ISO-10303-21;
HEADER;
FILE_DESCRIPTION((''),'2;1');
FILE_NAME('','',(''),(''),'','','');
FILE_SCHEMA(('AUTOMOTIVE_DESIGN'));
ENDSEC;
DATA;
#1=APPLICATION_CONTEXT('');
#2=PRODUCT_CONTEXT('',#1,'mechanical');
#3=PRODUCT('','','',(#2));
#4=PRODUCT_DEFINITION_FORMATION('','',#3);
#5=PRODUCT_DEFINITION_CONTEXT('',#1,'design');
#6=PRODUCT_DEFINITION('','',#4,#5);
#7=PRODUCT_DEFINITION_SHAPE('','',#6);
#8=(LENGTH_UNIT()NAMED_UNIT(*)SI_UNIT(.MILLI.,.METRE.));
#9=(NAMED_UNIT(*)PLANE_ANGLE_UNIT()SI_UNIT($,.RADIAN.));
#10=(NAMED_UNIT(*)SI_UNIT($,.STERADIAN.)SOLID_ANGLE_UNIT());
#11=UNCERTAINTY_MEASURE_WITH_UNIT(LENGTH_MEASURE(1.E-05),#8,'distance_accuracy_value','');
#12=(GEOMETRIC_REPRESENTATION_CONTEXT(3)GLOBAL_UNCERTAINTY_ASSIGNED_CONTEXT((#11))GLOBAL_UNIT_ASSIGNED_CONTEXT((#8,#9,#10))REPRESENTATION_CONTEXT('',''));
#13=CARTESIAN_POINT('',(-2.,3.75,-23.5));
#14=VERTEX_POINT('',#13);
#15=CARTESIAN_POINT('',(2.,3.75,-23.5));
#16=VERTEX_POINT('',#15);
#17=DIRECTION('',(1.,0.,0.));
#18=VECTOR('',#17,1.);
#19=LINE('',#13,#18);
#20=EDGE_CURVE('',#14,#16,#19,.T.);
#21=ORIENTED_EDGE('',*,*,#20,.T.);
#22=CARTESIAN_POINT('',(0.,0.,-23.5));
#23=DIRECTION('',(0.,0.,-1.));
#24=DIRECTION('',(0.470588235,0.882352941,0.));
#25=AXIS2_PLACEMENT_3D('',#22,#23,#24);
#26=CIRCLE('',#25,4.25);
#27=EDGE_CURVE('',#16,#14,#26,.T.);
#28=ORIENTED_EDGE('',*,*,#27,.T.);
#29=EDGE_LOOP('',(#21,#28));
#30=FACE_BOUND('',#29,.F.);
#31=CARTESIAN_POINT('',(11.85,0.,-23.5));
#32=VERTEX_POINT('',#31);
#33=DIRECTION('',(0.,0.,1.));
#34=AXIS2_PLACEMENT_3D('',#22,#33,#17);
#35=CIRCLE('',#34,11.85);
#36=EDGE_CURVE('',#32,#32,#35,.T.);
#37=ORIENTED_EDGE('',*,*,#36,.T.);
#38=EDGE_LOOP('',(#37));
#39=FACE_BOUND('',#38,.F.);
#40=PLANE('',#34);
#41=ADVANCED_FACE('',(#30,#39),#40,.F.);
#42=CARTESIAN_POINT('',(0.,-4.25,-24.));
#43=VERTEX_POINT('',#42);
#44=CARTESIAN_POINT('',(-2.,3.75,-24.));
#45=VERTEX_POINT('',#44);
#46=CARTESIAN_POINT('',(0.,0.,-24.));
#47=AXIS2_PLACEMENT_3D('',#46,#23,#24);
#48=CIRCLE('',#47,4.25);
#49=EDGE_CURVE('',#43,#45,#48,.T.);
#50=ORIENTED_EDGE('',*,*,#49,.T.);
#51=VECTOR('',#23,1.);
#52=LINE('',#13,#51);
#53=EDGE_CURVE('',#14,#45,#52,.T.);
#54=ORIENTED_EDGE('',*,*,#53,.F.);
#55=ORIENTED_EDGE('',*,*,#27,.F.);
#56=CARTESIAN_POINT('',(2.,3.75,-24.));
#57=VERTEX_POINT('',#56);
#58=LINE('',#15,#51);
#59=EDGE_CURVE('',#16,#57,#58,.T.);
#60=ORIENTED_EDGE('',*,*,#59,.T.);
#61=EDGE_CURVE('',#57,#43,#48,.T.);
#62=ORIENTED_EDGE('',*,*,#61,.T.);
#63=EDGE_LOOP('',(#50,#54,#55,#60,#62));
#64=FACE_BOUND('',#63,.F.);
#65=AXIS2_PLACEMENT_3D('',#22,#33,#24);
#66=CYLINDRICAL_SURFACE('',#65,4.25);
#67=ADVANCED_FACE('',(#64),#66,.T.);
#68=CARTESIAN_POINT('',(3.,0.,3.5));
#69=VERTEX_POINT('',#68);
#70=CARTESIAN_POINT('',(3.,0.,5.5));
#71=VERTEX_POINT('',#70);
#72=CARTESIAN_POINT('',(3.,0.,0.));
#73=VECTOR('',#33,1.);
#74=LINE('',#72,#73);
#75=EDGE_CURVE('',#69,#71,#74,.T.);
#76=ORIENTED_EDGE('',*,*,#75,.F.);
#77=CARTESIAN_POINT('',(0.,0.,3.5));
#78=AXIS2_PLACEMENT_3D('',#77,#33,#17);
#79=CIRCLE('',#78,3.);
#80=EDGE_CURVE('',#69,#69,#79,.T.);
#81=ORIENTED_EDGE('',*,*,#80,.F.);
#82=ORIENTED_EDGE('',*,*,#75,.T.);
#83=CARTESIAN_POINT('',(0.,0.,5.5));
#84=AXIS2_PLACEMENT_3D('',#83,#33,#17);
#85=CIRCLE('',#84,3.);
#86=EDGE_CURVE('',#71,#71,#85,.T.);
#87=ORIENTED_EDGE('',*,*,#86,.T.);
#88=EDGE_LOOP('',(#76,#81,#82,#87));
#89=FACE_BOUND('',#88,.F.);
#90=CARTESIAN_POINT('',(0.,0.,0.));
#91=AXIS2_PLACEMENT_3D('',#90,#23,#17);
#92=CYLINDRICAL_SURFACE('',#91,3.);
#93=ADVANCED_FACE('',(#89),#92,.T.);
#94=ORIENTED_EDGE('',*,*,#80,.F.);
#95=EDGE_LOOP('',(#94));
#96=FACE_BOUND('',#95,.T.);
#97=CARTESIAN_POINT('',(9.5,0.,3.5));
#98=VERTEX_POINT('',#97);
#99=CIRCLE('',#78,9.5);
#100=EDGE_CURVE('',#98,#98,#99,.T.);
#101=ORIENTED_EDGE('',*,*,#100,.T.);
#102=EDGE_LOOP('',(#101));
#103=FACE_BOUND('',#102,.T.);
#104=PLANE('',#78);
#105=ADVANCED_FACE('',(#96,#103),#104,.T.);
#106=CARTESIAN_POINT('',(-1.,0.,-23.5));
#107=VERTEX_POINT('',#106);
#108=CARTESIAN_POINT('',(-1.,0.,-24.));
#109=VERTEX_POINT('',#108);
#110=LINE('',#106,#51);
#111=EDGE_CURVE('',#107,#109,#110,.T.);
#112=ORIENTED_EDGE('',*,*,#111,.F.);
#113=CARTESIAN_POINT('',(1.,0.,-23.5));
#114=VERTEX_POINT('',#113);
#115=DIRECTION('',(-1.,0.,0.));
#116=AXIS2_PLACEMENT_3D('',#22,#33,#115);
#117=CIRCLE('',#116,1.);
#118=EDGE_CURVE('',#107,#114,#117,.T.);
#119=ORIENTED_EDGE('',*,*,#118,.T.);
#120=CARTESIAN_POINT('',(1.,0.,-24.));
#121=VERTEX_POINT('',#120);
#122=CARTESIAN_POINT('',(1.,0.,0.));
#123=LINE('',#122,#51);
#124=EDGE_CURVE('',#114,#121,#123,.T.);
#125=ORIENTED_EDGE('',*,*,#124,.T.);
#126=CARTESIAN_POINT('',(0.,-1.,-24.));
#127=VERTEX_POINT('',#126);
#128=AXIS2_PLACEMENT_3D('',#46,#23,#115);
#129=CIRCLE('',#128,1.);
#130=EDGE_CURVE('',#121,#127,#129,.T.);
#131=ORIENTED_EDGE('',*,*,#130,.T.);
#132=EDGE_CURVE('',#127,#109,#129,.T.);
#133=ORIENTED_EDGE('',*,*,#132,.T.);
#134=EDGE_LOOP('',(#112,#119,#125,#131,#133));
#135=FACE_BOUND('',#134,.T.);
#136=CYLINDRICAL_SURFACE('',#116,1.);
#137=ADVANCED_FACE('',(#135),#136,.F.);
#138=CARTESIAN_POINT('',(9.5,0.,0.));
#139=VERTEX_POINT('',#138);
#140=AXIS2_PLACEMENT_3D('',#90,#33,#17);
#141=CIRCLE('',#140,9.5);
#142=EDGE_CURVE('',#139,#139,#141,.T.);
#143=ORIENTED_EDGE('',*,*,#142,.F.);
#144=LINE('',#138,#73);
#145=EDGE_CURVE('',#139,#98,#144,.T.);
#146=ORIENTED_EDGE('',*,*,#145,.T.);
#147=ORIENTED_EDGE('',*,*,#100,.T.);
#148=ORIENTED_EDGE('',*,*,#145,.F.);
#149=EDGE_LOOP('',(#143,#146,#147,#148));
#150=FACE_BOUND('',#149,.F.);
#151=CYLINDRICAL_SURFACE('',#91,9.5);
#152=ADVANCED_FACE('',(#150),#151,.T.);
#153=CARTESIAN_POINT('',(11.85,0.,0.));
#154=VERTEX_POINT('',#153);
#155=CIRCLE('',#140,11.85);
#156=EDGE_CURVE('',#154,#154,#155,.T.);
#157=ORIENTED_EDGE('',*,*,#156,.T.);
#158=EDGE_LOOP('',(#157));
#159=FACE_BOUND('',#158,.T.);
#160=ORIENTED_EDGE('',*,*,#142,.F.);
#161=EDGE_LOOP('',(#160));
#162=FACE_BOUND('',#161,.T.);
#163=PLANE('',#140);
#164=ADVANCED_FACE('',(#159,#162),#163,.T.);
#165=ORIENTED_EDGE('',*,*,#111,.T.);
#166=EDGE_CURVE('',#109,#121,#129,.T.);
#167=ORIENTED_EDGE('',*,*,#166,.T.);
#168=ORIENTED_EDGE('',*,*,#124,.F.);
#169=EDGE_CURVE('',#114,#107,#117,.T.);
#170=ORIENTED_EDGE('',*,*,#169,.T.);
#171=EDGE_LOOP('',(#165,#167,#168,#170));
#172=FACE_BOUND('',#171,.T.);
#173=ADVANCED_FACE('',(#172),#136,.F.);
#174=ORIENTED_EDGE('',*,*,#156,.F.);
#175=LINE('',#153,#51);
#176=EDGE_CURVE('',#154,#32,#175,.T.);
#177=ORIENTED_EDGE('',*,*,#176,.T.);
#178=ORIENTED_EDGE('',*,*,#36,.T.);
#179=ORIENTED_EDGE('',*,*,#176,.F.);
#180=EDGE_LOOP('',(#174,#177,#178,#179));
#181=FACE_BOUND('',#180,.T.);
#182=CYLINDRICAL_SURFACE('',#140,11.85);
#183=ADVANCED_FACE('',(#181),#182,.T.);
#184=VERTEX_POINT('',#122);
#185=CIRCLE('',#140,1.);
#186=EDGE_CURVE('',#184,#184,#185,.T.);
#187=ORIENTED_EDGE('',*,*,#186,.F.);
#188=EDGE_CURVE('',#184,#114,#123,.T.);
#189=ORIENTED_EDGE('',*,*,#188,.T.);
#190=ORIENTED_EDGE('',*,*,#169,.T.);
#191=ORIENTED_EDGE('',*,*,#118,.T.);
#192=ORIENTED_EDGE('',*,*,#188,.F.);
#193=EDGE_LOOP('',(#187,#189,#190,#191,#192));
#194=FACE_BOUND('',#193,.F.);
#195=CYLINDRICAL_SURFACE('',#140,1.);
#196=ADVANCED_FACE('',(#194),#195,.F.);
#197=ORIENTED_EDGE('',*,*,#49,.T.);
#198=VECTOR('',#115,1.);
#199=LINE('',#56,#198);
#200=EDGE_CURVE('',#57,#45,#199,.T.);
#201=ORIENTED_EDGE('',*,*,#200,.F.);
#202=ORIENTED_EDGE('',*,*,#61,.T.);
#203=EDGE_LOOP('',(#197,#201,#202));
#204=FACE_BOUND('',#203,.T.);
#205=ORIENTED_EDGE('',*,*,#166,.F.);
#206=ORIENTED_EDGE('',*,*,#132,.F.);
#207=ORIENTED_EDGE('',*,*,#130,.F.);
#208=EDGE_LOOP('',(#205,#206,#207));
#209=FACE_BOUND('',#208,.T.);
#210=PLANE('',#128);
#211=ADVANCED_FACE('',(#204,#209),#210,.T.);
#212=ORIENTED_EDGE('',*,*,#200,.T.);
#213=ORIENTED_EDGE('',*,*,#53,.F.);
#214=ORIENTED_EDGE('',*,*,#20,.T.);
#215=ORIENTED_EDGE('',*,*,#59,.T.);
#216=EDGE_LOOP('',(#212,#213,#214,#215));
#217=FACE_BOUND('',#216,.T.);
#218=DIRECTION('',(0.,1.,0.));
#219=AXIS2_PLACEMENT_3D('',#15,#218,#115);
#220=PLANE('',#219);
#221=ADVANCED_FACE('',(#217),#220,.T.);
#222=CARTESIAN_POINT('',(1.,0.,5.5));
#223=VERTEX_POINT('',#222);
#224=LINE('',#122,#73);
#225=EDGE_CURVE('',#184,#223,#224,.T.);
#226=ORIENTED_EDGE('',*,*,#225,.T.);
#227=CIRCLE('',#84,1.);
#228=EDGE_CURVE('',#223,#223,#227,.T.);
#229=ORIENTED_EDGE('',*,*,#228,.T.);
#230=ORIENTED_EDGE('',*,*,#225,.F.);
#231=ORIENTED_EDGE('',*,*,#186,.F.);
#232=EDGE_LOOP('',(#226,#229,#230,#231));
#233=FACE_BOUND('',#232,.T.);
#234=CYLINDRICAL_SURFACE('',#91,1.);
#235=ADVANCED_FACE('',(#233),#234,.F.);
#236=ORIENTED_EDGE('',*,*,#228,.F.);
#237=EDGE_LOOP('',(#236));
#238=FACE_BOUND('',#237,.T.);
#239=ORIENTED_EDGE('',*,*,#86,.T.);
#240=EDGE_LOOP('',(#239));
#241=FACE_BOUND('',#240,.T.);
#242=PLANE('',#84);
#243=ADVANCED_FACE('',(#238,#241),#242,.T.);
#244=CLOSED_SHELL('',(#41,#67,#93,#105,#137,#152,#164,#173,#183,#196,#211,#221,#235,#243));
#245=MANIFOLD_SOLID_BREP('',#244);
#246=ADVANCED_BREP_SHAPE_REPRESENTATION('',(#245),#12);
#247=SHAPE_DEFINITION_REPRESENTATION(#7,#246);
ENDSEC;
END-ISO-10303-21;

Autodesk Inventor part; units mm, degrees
ref_plane "YZ Plane" through (0, 0, 0) normal (1, 0, 0) x (0, 1, 0)
ref_plane "XZ Plane" through (0, 0, 0) normal (0, 1, 0) x (-1, 0, 0)
ref_plane "XY Plane" through (0, 0, 0) normal (0, 0, 1) x (1, 0, 0)
sketch "basescetch" plane through (0, 0, 0) normal (0, 0, 1) x (1, 0, 0)
  circle A0 centre (0, 0) radius 11.85
  circle A1 centre (0, 0) radius 9.5
  circle A2 centre (0, 0) radius 3
  circle A3 centre (0, 0) radius 1
  dimension "d0" = 23.7
  dimension "d1" = 19
  dimension "d2" = 6
  dimension "d3" = 2
extrude "押し出し1" add sketch "basescetch" along normal blind 3.5 contours A1
extrude "押し出し2" add sketch "basescetch" along normal blind 5.5 contours A2
extrude "押し出し3" add sketch "basescetch" against normal blind 23.5 contours A0 | A1 | A2 | A3
sketch "スケッチ2" plane through (0, 0, -23.5) normal (0, 0, -1) x (-1, 0, 0)
  circle A0 centre (0, 0) radius 1 projected
  arc A1 (-2, 3.75) -> (2, 3.75) centre (0, 0) ccw
  line L0 (0, -4.25) -> (0, -1)
  line L1 (0, -4.25) -> (8, -4.25) construction
  line L2 (0, 3.75) -> (2, 3.75)
  line L3 (-2, 3.75) -> (0, 3.75)
  dimension "d10" = 8.5
  dimension "d11" = 8
  dimension "d12" = 90
extrude "押し出し4" add sketch "スケッチ2" along normal blind 0.5
extrude "押し出し5" cut sketch "basescetch" against normal through all contours A3
properties part number "motor_for6speedgearbox" material "鉄、可鍛鉄"
